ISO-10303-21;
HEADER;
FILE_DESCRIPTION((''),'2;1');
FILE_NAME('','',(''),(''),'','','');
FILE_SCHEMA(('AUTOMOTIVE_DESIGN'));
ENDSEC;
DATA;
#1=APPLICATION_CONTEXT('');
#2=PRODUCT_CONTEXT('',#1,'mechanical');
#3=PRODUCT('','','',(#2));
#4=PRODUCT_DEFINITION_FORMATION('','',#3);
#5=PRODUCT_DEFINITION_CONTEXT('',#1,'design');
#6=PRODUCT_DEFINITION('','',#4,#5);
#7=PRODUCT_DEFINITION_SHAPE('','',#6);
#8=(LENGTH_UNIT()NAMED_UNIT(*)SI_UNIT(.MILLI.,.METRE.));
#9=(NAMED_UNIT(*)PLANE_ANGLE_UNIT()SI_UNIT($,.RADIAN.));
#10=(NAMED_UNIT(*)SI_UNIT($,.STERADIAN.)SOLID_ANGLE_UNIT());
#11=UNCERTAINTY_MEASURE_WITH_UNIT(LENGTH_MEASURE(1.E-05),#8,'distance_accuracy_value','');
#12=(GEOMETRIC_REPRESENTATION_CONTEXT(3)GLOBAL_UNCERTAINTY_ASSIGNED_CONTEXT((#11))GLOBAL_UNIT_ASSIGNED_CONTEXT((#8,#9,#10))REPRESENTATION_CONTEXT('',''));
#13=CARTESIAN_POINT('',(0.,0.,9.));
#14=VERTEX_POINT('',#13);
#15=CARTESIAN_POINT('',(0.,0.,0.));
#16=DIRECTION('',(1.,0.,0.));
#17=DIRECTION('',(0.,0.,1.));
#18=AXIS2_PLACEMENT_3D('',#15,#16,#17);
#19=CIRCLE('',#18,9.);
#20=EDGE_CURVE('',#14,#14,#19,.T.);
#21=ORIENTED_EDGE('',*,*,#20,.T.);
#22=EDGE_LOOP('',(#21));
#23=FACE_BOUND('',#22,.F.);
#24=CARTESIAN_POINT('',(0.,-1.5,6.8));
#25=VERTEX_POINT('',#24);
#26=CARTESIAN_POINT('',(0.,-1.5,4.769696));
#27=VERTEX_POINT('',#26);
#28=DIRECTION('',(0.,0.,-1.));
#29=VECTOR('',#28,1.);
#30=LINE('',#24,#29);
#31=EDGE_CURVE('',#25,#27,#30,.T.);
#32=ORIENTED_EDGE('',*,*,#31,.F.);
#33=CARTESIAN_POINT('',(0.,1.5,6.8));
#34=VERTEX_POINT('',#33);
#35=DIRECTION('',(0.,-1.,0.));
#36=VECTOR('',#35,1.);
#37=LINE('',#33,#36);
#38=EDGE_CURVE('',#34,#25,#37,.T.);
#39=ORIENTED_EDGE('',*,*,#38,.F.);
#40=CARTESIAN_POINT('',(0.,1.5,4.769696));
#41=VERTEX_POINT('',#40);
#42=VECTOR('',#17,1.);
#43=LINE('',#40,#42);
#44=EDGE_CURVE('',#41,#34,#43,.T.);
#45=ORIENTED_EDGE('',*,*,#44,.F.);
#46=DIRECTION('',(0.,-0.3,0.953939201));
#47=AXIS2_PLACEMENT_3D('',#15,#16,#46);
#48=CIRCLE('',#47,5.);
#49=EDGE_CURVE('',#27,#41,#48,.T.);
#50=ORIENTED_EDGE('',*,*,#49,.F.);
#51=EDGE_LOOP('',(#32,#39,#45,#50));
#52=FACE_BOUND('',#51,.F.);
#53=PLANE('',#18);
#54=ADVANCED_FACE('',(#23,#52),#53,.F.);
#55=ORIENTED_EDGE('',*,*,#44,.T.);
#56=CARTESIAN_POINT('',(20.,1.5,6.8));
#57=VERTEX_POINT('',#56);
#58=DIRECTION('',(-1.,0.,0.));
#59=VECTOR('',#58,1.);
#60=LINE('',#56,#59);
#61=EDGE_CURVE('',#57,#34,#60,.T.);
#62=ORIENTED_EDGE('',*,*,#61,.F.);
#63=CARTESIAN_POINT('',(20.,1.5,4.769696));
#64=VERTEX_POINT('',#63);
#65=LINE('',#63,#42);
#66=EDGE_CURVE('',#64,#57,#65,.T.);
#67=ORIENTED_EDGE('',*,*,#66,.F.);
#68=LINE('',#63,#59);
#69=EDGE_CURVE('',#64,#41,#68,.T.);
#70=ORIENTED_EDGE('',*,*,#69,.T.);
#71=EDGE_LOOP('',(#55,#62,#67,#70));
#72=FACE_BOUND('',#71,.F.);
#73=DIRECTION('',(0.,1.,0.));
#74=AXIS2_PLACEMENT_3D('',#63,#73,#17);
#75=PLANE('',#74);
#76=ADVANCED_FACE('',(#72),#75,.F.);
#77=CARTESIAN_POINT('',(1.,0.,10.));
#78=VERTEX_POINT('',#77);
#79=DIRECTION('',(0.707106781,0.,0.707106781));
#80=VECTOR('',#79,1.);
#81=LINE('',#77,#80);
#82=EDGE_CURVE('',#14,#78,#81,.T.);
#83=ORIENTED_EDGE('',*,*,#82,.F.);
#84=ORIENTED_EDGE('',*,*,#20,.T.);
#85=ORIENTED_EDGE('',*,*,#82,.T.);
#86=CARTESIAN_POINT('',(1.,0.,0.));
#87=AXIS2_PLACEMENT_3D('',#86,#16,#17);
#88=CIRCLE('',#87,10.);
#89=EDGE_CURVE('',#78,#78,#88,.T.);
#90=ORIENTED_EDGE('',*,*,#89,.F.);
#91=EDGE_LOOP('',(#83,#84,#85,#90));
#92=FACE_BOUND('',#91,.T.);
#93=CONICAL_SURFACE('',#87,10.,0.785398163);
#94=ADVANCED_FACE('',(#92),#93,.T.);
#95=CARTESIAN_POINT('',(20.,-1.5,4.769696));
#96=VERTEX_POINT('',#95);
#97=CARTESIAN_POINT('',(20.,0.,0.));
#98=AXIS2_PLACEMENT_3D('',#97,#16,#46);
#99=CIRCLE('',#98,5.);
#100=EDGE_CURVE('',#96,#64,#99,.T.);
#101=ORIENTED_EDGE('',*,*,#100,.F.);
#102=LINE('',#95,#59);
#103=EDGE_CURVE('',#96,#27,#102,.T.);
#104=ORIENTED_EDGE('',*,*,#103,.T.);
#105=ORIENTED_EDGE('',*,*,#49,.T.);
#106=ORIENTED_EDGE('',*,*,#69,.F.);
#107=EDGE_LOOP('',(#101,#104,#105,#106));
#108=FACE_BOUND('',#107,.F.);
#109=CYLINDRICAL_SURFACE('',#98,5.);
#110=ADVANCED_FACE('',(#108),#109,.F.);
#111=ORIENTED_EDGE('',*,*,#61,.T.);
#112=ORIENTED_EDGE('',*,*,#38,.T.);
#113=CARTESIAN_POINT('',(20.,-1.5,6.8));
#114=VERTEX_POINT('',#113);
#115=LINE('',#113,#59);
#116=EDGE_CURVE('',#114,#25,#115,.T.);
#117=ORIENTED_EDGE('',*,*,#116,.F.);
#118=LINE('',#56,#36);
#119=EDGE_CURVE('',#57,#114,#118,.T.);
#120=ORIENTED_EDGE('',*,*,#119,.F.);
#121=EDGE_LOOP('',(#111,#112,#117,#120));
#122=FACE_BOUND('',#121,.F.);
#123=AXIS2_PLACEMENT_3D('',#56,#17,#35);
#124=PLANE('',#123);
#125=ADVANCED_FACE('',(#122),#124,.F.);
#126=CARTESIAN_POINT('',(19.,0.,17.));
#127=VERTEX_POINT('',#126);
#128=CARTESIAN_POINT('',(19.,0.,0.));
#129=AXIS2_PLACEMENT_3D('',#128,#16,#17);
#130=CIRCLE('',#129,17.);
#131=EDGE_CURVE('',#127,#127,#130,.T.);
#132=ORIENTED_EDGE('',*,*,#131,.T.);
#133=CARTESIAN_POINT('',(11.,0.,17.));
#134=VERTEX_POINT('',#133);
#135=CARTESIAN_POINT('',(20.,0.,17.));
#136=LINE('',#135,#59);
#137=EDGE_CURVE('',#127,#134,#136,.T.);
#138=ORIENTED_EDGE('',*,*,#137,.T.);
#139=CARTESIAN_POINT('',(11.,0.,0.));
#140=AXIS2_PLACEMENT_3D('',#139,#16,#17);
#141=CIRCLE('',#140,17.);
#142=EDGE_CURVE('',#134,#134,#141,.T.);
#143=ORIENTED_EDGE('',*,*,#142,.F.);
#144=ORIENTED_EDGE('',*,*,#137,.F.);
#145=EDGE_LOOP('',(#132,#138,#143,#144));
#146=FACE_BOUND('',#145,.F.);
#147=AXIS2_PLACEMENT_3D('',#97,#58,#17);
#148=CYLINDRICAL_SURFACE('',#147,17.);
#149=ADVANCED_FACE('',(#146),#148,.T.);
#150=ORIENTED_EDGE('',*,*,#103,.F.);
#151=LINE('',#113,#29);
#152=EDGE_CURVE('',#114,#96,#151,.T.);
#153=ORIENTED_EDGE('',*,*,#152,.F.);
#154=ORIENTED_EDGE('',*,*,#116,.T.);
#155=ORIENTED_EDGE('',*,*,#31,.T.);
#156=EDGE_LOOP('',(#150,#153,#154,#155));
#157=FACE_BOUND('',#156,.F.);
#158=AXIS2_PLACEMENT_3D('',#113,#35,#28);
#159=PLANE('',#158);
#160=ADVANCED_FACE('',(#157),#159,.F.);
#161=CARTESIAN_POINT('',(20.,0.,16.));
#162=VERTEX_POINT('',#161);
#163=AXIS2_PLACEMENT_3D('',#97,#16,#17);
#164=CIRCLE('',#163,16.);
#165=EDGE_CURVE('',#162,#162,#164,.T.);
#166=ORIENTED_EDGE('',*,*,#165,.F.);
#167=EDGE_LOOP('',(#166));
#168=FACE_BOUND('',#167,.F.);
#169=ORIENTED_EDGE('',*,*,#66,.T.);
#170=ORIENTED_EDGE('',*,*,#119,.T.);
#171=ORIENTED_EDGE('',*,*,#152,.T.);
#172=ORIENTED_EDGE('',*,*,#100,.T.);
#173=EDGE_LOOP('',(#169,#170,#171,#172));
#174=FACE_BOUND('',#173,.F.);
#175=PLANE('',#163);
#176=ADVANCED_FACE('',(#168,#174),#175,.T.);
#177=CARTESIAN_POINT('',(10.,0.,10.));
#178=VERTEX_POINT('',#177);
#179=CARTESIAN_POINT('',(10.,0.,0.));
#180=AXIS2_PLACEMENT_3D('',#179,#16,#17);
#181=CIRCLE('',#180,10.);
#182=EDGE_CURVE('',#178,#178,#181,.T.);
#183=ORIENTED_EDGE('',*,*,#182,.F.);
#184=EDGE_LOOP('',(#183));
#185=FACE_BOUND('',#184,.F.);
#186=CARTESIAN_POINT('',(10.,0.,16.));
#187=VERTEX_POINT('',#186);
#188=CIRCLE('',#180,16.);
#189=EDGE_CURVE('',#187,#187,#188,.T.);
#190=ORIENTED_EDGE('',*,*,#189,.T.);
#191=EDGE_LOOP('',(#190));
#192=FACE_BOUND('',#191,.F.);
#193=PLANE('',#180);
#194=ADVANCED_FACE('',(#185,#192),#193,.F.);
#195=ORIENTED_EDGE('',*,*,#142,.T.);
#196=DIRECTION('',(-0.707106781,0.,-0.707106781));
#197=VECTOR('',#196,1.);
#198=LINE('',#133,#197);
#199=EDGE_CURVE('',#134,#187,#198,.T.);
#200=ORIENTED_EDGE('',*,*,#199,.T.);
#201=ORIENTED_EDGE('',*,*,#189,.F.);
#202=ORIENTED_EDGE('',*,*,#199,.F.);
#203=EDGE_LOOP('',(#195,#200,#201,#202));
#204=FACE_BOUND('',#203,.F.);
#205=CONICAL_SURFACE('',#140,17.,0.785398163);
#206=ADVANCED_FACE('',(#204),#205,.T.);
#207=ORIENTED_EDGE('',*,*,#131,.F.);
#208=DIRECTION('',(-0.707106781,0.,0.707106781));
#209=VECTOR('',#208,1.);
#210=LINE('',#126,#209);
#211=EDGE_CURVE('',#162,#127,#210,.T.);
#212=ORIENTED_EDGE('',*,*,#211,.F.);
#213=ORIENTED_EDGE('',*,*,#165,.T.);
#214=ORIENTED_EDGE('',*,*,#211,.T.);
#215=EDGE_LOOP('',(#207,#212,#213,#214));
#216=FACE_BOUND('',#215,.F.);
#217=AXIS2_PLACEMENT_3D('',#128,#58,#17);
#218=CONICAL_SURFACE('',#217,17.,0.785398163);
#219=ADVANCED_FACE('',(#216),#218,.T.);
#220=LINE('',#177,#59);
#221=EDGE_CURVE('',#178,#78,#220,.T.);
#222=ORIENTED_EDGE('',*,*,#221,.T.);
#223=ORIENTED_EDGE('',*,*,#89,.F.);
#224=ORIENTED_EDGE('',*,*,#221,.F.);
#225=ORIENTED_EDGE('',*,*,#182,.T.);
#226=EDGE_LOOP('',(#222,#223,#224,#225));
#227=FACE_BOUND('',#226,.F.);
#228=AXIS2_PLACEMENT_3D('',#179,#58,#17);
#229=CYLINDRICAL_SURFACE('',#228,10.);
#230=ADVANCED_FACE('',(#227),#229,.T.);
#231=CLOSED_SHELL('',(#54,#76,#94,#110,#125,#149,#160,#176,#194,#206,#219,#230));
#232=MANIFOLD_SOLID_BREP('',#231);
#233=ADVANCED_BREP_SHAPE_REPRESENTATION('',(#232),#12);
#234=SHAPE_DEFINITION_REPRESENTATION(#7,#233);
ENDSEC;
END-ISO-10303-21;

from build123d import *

# Parameters (mm, degrees)
F2_SIZE  = 1
F4_DEPTH = 20


with BuildPart() as f1:
    # F0 (on Front) → F1 (revolve)
    with BuildSketch(Plane.XZ):
        Polygon((0, 10), (0, 0), (20, 0), (20, 17), (10, 17), (10, 10), align=None)
    revolve(axis=Axis((10, 0, 0), (1, 0, 0)))

    # F2
    f2_edges = [f1.edges().sort_by_distance(p)[0] for p in [
        (10, 0, -17),
        (0, 0, -10),
        (20, 0, -17),
    ]]
    chamfer(f2_edges, length=F2_SIZE)

    # F3 (on face) → F4 (cut)
    with BuildSketch(Plane.YZ.offset(20)):
        with BuildLine():
            Line((-1.5, 6.8), (-1.5, 4.769696))
            ThreePointArc((-1.5, 4.769696), (0, -5), (1.5, 4.769696))
            Line((1.5, 4.769696), (1.5, 6.8))
            Line((1.5, 6.8), (0, 6.8))
            Line((0, 6.8), (-1.5, 6.8))
        make_face()
    extrude(amount=-F4_DEPTH, mode=Mode.SUBTRACT)


solid = f1.part
